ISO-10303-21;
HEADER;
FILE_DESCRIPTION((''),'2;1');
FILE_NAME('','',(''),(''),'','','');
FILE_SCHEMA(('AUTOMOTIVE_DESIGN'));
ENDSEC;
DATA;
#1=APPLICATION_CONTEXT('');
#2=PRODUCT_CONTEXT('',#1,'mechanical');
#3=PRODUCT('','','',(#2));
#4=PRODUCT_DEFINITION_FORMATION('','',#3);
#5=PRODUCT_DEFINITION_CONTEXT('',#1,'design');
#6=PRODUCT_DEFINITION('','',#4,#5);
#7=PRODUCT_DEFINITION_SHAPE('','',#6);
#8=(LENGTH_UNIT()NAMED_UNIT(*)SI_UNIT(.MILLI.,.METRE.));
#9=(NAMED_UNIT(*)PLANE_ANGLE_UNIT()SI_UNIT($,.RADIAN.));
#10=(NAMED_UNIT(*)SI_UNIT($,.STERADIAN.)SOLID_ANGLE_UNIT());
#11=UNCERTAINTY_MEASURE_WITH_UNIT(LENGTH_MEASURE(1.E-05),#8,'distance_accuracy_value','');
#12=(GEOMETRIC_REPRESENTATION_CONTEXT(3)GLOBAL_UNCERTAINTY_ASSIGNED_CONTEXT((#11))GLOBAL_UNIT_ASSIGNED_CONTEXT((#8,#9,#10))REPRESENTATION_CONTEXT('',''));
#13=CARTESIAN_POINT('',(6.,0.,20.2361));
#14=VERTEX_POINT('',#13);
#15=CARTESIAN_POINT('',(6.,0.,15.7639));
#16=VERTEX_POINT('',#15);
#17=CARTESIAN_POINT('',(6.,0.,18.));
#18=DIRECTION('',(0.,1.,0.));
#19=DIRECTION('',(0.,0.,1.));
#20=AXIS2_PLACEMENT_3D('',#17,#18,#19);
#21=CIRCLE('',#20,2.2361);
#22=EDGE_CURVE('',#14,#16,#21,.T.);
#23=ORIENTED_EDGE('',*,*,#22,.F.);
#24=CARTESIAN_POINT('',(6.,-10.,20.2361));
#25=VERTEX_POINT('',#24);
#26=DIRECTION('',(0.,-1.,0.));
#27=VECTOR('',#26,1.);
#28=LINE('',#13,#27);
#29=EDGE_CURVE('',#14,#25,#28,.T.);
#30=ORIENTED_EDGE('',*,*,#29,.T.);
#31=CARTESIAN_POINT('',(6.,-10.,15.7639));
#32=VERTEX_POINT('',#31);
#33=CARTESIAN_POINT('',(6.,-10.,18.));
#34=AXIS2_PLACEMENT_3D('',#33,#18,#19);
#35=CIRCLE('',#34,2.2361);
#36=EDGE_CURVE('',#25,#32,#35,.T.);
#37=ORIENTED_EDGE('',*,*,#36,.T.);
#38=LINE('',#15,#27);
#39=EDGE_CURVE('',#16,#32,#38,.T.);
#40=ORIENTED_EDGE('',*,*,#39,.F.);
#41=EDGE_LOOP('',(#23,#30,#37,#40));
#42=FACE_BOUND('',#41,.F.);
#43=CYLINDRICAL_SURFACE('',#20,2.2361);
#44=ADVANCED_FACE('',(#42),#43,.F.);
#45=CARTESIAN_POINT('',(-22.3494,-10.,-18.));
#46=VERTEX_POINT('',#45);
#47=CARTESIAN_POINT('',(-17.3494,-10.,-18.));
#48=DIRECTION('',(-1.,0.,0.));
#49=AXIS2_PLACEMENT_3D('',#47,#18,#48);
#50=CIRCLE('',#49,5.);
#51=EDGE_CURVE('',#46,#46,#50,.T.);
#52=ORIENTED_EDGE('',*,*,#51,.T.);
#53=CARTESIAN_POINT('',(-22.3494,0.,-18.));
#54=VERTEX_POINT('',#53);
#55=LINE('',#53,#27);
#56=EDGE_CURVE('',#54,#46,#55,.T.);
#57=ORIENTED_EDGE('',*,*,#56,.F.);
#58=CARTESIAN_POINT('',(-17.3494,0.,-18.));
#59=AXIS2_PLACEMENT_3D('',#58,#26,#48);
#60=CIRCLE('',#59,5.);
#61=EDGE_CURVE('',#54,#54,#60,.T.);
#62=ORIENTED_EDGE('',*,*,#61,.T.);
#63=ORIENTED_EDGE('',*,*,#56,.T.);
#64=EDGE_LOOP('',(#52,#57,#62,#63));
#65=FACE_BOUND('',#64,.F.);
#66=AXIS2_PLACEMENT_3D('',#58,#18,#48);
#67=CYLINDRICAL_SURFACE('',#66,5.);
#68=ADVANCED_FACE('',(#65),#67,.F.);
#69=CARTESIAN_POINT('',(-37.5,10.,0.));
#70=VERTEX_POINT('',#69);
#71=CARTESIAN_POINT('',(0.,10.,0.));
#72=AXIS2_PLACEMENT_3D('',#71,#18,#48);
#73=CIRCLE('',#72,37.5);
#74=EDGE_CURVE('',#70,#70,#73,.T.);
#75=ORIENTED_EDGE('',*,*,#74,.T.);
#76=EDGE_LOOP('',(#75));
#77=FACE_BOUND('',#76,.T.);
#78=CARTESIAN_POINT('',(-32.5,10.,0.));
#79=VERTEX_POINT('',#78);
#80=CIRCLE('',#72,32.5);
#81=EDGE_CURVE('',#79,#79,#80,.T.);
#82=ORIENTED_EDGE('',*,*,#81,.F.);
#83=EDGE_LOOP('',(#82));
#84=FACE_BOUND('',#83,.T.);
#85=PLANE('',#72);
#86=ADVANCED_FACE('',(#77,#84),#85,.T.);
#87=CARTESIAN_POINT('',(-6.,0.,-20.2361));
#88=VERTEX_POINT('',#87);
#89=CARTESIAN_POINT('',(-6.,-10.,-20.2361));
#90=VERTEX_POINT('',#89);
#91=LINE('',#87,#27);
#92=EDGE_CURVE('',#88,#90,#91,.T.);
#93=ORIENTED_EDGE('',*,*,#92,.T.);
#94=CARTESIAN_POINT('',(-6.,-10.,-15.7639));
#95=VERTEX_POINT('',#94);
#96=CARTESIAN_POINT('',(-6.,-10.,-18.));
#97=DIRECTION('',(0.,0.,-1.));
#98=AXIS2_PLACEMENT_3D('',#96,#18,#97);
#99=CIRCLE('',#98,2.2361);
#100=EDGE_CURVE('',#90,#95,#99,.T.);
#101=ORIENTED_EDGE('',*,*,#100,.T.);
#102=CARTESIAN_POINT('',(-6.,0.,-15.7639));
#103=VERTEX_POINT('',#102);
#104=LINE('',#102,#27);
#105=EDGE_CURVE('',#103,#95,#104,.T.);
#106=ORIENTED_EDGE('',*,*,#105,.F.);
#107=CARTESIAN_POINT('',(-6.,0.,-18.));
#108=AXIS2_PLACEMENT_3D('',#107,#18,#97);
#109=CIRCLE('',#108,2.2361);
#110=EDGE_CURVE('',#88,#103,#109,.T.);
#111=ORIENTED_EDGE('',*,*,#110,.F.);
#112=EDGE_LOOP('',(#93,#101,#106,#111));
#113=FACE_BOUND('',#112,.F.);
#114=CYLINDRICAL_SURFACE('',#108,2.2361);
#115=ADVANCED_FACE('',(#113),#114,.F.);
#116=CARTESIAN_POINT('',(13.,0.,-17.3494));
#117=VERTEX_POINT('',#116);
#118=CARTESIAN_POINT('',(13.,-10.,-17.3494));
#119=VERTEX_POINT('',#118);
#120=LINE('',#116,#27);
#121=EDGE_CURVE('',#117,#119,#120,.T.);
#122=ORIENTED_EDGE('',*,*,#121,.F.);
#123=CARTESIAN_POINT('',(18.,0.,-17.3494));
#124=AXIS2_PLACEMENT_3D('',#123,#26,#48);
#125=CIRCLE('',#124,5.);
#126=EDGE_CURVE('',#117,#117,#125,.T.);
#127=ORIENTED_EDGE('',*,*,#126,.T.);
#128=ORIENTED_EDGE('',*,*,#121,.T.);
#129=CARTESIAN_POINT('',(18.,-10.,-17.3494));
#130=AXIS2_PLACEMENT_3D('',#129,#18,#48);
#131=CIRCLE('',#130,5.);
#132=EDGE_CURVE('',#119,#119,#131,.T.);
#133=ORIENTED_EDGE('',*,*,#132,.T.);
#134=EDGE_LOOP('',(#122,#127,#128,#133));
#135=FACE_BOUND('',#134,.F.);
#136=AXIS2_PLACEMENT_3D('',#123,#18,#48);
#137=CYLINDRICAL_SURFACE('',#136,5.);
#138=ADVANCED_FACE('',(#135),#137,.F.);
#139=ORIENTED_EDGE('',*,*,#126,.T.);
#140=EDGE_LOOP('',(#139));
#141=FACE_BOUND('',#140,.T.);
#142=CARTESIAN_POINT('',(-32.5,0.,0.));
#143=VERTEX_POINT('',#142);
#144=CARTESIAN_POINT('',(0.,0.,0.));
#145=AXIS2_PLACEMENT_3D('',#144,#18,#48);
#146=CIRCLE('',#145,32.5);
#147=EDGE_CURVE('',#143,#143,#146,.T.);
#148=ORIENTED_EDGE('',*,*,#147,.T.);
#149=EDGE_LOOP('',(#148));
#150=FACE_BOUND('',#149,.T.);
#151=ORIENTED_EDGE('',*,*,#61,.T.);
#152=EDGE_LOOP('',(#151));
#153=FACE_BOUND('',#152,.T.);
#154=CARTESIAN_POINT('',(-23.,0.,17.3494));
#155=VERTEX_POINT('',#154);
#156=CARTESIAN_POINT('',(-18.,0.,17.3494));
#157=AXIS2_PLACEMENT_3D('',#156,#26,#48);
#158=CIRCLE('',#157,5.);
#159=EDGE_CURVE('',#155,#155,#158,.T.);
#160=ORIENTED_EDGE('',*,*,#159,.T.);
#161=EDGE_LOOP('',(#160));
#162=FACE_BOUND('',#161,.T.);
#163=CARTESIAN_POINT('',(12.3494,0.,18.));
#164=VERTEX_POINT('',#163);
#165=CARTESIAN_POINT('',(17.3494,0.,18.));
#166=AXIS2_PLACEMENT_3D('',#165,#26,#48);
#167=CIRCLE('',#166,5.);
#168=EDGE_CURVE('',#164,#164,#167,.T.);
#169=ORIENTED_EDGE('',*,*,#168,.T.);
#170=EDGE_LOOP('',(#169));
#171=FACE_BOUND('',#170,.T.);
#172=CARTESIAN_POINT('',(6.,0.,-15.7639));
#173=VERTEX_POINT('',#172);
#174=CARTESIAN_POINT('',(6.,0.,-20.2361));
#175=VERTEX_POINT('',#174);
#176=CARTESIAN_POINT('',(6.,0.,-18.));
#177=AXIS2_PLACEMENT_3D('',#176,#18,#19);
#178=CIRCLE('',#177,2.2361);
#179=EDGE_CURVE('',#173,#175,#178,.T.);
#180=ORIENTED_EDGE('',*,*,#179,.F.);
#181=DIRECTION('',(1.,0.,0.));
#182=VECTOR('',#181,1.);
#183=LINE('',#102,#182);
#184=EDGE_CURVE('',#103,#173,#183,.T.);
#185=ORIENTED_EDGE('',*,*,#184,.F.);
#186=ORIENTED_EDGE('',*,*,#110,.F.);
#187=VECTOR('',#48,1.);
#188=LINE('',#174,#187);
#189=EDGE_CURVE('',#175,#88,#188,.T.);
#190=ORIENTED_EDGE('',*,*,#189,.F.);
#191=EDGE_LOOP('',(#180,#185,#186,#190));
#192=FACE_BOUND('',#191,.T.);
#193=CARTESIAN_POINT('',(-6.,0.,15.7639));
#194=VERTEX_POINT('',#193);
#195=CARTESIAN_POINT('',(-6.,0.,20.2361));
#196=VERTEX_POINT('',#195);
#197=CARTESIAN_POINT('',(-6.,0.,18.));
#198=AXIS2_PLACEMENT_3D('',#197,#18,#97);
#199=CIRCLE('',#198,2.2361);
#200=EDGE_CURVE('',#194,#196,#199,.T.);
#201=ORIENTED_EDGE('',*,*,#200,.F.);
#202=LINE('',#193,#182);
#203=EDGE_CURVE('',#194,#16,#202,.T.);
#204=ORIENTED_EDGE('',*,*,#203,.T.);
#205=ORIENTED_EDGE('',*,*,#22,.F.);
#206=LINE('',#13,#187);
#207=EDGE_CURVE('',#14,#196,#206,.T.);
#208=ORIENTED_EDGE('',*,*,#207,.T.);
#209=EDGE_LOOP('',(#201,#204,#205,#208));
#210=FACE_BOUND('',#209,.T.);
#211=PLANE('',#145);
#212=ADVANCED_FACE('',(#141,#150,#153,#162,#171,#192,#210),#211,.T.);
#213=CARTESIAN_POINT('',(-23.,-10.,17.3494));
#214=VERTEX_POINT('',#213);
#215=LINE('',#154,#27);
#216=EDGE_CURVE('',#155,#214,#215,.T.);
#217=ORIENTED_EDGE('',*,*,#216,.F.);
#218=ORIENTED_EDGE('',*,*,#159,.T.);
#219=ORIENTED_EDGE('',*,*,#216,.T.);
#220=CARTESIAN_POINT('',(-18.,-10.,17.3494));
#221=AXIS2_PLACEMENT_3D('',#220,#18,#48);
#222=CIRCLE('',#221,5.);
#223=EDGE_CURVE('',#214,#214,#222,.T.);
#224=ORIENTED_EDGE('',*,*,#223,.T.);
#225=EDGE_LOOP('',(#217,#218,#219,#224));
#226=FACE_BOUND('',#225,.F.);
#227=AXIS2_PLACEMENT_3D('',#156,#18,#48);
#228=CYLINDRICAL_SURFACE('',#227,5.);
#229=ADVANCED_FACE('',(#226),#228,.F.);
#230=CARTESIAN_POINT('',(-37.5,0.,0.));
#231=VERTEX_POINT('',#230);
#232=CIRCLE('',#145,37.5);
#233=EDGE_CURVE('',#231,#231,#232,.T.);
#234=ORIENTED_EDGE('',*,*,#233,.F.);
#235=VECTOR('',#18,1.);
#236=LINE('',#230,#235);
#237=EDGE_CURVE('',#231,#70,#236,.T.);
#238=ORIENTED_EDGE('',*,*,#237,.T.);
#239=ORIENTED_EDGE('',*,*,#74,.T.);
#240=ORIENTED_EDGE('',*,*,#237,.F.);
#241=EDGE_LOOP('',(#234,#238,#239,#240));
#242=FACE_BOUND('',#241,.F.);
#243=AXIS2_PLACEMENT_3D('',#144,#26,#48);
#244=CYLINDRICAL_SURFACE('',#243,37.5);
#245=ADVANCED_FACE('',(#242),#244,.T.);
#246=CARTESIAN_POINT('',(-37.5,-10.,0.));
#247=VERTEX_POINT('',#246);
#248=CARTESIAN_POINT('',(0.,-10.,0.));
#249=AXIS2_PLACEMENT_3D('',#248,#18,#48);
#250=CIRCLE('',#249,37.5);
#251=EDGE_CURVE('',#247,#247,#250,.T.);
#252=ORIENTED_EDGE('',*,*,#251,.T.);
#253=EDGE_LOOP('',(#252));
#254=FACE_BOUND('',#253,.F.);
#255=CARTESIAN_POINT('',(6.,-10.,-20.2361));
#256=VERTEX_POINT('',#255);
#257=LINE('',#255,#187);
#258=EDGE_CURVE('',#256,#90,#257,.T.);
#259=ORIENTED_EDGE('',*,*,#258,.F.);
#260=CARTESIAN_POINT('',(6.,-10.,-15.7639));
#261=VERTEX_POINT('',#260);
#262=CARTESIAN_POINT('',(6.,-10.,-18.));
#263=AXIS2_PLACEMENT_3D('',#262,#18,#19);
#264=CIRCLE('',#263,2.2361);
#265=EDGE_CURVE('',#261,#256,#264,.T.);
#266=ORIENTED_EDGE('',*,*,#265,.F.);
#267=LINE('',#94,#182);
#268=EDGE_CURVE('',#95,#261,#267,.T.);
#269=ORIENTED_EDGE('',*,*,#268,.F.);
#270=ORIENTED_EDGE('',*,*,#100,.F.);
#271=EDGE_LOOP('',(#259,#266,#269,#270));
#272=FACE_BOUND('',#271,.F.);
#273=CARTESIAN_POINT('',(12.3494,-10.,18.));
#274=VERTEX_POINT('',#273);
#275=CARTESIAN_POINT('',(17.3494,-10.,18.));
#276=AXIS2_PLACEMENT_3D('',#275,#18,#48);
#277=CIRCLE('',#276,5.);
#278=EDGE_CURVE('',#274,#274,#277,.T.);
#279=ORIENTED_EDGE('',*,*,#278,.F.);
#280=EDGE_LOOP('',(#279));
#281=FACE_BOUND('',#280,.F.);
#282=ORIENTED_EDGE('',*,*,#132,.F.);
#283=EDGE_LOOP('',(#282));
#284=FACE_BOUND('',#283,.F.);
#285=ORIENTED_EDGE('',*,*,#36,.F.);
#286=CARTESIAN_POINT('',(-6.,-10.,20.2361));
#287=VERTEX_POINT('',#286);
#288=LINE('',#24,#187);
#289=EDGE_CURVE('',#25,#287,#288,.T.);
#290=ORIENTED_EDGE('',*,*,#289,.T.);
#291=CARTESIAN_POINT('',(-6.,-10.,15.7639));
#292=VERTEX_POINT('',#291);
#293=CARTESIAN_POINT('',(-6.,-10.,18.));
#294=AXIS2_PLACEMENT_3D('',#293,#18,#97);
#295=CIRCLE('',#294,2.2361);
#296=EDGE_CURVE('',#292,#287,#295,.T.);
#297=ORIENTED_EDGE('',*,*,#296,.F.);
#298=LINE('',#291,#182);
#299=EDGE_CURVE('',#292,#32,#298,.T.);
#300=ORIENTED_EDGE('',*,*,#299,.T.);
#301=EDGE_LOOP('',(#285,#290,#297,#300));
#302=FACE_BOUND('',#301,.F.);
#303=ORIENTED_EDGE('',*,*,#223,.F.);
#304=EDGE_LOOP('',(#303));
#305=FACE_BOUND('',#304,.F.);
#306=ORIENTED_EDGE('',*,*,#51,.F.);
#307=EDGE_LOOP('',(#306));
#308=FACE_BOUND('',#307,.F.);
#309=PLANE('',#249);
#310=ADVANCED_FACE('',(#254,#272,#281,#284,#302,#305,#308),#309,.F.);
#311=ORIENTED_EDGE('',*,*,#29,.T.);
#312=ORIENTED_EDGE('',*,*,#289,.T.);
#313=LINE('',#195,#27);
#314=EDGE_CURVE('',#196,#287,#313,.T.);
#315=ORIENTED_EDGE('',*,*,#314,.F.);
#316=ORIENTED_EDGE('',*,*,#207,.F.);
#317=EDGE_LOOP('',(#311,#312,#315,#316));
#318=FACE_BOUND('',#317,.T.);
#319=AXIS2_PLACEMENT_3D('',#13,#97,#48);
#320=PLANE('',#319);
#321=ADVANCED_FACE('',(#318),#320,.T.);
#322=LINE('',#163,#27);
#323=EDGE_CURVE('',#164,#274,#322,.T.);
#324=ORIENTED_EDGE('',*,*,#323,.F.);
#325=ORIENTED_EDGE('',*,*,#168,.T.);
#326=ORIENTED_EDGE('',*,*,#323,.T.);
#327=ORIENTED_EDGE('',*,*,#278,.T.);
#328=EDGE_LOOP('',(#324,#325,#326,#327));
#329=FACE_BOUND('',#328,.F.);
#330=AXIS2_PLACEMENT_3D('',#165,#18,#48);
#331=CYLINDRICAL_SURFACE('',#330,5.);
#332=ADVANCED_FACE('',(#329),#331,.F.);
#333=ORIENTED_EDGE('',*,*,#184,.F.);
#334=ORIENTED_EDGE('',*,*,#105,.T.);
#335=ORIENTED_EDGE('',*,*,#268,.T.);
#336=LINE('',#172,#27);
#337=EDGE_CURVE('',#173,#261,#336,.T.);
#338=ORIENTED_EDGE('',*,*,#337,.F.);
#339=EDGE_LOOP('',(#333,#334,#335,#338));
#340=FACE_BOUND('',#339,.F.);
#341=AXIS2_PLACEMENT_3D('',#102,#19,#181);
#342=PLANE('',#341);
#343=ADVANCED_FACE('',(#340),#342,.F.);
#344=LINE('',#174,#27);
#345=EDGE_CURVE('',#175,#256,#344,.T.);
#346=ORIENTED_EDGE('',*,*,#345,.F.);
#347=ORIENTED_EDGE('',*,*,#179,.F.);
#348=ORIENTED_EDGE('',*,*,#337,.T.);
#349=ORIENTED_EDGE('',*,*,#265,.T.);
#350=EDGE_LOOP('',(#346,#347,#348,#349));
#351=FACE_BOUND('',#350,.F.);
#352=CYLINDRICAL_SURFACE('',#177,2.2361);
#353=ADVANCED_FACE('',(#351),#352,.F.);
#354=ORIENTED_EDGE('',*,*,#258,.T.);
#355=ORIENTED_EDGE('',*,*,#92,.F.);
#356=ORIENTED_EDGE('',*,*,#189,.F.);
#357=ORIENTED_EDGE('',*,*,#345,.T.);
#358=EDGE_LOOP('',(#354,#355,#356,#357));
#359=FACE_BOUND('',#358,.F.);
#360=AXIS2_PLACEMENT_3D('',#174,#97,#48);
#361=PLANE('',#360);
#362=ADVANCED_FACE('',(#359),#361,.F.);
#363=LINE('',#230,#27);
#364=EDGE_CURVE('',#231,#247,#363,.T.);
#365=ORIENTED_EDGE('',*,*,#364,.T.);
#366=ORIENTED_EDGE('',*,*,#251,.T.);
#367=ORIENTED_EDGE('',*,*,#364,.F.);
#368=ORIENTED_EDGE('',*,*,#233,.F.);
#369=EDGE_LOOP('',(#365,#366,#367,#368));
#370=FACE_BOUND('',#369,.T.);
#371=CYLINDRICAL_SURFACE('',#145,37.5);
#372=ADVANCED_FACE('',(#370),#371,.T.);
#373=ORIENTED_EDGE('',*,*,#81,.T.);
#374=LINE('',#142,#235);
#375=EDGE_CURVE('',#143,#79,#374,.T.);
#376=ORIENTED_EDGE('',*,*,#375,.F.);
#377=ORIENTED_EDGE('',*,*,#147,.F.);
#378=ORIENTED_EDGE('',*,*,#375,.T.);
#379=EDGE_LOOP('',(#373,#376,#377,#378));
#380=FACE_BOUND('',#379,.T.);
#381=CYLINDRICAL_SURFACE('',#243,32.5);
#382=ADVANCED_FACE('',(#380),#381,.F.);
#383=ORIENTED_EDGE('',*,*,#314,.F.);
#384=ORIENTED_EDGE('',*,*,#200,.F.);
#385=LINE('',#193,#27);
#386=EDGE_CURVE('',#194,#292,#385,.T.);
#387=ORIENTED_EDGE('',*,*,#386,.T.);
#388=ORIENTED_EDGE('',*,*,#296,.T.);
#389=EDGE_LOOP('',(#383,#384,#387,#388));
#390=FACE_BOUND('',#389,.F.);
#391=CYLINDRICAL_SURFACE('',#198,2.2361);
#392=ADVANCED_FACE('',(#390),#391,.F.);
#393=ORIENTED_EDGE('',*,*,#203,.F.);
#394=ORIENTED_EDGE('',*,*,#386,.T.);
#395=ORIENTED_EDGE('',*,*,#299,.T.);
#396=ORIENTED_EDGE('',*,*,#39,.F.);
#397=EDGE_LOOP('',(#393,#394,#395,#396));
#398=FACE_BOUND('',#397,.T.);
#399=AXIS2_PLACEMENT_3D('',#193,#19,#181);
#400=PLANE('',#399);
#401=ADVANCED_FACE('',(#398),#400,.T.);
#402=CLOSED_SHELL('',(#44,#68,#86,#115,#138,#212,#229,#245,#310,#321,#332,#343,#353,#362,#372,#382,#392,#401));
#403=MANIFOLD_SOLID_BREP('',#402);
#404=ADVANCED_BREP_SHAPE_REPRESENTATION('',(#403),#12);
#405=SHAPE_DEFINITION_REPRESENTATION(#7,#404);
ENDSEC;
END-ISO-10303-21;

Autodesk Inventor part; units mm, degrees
ref_plane "YZ Plane" through (0, 0, 0) normal (1, 0, 0) x (0, 1, 0)
ref_plane "XZ Plane" through (0, 0, 0) normal (0, 1, 0) x (-1, 0, 0)
ref_plane "XY Plane" through (0, 0, 0) normal (0, 0, 1) x (1, 0, 0)
sketch "Sketch1" plane through (0, 0, 0) normal (0, 1, 0) x (-1, 0, 0)
  circle A0 centre (0, 0) radius 32.5
  circle A1 centre (0, 0) radius 25
  circle A2 centre (17.3494, -18) radius 5
  circle A3 centre (18, 17.3494) radius 5
  circle A4 centre (-17.3494, 18) radius 5
  circle A5 centre (-18, -17.3494) radius 5
  line L0 (6, -18) -> (-6, -18) construction
  line L1 (6, -15.7639) -> (-6, -15.7639)
  line L2 (-6, -20.2361) -> (6, -20.2361)
  arc A6 (6, -20.2361) -> (6, -15.7639) centre (6, -18) ccw
  arc A7 (-6, -15.7639) -> (-6, -20.2361) centre (-6, -18) ccw
  line L3 (-25, 0) -> (25, 0) construction
  line L4 (6, 15.7639) -> (-6, 15.7639)
  line L5 (-6, 20.2361) -> (6, 20.2361)
  arc A8 (6, 15.7639) -> (6, 20.2361) centre (6, 18) ccw
  arc A9 (-6, 20.2361) -> (-6, 15.7639) centre (-6, 18) ccw
  circle A10 centre (0, 0) radius 37.5
  point P0 (0, -18)
  dimension "d0" = 65
  dimension "d1" = 50
  dimension "d2" = 10
  dimension "d5" = 360
  dimension "d7" = 35.3494
  dimension "d11" = 17.3494
  dimension "d12" = 11.3493
  dimension "d16" = 18
  dimension "d17" = 2.2361
  dimension "d18" = 18
  dimension "d19" = 75
extrude "Extrusion1" add sketch "Sketch1" against normal blind 10 contours A0 | A1 A2 A5 A4 A3
extrude "Extrusion2" add sketch "Sketch1" along normal blind 10 and the other way blind 10 contours A10
properties part number "case_top"
